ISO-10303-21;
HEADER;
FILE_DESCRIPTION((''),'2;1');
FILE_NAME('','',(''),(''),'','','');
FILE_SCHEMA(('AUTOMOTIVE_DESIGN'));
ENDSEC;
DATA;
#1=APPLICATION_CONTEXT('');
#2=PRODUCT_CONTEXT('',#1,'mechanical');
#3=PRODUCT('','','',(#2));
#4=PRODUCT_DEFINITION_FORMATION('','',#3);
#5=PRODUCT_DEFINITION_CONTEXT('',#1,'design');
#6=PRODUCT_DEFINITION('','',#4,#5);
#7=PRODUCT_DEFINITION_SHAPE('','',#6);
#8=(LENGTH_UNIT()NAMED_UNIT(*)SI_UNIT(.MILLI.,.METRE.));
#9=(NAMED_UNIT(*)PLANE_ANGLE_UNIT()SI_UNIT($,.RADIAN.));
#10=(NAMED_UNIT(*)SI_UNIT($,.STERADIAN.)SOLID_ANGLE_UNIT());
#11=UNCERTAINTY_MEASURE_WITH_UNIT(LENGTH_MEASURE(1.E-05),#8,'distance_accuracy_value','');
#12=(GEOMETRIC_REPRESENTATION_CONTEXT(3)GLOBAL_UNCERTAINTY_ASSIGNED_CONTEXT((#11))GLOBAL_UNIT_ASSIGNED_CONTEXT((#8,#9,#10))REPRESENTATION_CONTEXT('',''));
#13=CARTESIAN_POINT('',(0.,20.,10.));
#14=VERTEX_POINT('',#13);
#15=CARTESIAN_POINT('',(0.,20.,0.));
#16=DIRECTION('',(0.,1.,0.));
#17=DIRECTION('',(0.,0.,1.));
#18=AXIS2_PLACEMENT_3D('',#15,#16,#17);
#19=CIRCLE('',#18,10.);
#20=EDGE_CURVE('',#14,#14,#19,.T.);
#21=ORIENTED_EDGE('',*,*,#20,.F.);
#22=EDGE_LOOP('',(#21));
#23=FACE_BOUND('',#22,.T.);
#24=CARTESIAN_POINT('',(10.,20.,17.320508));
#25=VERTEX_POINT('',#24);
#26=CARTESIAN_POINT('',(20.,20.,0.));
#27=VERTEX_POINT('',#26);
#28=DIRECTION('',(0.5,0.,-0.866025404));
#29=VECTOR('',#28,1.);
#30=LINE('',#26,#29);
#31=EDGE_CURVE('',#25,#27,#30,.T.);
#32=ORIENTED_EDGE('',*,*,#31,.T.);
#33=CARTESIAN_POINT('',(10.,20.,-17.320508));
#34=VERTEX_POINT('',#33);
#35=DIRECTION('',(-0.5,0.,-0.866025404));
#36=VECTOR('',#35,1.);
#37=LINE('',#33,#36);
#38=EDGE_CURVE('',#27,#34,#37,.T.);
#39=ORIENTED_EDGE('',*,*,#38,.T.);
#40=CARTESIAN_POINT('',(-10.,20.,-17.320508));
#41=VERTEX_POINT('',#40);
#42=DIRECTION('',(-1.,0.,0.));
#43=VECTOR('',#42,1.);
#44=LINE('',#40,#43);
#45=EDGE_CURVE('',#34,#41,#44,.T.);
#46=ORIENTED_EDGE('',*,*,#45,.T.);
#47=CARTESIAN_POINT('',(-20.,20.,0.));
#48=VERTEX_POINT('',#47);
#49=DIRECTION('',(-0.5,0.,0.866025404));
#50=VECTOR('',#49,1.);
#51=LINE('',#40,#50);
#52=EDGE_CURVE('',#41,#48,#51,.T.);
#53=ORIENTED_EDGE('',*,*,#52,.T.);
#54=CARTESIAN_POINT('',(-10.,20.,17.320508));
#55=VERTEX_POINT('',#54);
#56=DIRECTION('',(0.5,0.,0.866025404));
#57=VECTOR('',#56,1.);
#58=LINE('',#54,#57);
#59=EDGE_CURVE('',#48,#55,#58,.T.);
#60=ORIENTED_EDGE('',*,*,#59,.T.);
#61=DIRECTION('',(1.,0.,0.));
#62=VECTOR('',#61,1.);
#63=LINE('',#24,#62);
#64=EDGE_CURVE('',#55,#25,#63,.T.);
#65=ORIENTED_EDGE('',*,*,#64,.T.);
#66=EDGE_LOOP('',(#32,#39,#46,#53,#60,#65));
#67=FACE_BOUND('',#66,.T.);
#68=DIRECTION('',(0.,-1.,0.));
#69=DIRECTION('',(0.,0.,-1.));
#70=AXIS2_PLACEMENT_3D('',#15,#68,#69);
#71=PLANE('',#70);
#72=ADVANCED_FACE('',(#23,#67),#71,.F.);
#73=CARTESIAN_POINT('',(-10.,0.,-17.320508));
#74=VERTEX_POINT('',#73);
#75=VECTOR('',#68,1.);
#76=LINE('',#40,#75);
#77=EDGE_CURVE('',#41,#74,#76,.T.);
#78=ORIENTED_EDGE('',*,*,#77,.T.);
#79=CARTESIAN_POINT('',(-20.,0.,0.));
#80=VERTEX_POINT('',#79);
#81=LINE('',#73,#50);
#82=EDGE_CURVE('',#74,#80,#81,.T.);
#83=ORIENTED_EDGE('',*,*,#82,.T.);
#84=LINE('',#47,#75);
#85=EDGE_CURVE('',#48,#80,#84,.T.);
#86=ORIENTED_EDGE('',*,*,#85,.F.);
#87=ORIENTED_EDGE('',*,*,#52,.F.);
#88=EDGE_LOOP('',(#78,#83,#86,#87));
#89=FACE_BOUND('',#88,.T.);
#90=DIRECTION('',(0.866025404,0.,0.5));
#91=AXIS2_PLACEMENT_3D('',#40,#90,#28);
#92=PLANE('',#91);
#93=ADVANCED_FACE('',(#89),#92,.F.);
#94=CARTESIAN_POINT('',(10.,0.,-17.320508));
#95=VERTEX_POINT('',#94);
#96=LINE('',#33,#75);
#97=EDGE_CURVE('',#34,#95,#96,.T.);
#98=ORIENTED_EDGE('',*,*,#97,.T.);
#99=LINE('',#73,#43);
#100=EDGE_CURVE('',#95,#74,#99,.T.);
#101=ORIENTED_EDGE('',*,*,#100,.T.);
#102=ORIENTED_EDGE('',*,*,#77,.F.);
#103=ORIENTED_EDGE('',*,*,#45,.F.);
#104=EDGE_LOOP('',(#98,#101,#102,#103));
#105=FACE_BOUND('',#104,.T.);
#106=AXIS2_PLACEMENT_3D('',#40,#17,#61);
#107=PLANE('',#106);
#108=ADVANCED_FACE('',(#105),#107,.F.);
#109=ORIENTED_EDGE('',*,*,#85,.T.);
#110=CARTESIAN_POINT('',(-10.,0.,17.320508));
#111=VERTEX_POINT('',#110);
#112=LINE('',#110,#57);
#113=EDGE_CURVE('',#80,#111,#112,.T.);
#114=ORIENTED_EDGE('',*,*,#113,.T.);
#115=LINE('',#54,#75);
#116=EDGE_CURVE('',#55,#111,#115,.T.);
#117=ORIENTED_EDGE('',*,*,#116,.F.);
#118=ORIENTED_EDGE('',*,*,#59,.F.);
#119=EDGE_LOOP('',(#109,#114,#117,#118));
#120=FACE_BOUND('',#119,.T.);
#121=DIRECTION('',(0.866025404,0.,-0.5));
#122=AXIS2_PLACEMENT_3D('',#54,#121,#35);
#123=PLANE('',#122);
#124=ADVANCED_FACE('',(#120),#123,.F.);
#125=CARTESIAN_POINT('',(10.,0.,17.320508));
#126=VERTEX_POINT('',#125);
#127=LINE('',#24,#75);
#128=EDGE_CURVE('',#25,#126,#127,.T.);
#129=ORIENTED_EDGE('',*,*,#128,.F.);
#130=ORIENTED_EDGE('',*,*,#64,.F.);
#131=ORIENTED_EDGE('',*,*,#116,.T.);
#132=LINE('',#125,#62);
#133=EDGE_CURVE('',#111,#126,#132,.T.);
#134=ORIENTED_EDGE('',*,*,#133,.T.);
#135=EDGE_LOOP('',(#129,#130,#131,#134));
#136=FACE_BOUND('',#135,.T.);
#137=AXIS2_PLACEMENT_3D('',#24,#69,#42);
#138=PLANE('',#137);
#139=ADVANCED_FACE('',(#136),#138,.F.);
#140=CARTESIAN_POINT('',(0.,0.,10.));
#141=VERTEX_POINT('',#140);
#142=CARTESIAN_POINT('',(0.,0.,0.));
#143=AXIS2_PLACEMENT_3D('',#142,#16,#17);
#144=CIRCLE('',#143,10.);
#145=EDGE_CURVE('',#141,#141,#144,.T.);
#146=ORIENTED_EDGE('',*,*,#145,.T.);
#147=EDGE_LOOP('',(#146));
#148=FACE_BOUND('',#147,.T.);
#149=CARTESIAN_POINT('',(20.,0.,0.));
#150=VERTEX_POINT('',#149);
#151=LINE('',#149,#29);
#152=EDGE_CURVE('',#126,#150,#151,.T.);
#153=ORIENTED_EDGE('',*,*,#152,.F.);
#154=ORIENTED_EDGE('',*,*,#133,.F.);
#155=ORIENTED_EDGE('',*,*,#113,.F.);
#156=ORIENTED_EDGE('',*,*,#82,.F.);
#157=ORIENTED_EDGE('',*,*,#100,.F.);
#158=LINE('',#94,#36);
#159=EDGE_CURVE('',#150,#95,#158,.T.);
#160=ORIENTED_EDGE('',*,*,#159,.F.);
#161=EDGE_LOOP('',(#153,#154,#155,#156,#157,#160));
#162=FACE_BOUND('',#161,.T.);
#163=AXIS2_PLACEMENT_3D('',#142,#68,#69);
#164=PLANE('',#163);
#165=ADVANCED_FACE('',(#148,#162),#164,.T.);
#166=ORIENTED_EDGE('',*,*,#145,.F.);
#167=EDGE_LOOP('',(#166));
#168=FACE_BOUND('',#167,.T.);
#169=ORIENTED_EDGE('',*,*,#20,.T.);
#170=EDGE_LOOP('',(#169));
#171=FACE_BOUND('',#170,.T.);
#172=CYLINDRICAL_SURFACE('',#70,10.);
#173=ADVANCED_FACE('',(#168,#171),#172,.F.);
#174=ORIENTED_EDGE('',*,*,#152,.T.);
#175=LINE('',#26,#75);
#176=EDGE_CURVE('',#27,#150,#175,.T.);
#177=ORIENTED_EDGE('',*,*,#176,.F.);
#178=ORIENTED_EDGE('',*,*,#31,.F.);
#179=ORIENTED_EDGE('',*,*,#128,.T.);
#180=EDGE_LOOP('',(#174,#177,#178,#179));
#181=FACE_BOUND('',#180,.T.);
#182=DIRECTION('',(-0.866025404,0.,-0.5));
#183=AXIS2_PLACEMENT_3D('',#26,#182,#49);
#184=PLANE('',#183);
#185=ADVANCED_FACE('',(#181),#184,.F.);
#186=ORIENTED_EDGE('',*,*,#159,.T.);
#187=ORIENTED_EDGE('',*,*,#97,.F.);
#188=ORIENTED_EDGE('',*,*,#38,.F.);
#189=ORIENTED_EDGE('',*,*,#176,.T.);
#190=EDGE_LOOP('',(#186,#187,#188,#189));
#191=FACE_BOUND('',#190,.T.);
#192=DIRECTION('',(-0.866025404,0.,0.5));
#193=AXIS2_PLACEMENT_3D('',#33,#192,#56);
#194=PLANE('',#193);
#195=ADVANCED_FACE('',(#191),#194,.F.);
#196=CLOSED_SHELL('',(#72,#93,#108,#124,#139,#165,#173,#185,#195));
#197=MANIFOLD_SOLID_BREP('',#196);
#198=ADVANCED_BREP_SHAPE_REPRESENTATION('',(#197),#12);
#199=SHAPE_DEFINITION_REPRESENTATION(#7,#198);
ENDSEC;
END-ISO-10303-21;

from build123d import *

# Parameters (mm, degrees)
ESQUISSE1_R        = 10
BOSS_EXTRU_1_DEPTH = 20


with BuildPart() as part:
    # Esquisse1 → Boss.-Extru.1 (new body)
    with BuildSketch(Plane(origin=(0, 0, 0), x_dir=(1, 0, 0), z_dir=(0, 1, 0))):
        Polygon((-10, 17.320508076), (10, 17.320508076), (20, 0), (10, -17.320508076), (-10, -17.320508076), (-20, 0), align=None)
        with Locations(Location((0, 0, 0), (0, 0, 270))):
            Circle(ESQUISSE1_R, mode=Mode.SUBTRACT)
    extrude(amount=BOSS_EXTRU_1_DEPTH)


solid = part.part
